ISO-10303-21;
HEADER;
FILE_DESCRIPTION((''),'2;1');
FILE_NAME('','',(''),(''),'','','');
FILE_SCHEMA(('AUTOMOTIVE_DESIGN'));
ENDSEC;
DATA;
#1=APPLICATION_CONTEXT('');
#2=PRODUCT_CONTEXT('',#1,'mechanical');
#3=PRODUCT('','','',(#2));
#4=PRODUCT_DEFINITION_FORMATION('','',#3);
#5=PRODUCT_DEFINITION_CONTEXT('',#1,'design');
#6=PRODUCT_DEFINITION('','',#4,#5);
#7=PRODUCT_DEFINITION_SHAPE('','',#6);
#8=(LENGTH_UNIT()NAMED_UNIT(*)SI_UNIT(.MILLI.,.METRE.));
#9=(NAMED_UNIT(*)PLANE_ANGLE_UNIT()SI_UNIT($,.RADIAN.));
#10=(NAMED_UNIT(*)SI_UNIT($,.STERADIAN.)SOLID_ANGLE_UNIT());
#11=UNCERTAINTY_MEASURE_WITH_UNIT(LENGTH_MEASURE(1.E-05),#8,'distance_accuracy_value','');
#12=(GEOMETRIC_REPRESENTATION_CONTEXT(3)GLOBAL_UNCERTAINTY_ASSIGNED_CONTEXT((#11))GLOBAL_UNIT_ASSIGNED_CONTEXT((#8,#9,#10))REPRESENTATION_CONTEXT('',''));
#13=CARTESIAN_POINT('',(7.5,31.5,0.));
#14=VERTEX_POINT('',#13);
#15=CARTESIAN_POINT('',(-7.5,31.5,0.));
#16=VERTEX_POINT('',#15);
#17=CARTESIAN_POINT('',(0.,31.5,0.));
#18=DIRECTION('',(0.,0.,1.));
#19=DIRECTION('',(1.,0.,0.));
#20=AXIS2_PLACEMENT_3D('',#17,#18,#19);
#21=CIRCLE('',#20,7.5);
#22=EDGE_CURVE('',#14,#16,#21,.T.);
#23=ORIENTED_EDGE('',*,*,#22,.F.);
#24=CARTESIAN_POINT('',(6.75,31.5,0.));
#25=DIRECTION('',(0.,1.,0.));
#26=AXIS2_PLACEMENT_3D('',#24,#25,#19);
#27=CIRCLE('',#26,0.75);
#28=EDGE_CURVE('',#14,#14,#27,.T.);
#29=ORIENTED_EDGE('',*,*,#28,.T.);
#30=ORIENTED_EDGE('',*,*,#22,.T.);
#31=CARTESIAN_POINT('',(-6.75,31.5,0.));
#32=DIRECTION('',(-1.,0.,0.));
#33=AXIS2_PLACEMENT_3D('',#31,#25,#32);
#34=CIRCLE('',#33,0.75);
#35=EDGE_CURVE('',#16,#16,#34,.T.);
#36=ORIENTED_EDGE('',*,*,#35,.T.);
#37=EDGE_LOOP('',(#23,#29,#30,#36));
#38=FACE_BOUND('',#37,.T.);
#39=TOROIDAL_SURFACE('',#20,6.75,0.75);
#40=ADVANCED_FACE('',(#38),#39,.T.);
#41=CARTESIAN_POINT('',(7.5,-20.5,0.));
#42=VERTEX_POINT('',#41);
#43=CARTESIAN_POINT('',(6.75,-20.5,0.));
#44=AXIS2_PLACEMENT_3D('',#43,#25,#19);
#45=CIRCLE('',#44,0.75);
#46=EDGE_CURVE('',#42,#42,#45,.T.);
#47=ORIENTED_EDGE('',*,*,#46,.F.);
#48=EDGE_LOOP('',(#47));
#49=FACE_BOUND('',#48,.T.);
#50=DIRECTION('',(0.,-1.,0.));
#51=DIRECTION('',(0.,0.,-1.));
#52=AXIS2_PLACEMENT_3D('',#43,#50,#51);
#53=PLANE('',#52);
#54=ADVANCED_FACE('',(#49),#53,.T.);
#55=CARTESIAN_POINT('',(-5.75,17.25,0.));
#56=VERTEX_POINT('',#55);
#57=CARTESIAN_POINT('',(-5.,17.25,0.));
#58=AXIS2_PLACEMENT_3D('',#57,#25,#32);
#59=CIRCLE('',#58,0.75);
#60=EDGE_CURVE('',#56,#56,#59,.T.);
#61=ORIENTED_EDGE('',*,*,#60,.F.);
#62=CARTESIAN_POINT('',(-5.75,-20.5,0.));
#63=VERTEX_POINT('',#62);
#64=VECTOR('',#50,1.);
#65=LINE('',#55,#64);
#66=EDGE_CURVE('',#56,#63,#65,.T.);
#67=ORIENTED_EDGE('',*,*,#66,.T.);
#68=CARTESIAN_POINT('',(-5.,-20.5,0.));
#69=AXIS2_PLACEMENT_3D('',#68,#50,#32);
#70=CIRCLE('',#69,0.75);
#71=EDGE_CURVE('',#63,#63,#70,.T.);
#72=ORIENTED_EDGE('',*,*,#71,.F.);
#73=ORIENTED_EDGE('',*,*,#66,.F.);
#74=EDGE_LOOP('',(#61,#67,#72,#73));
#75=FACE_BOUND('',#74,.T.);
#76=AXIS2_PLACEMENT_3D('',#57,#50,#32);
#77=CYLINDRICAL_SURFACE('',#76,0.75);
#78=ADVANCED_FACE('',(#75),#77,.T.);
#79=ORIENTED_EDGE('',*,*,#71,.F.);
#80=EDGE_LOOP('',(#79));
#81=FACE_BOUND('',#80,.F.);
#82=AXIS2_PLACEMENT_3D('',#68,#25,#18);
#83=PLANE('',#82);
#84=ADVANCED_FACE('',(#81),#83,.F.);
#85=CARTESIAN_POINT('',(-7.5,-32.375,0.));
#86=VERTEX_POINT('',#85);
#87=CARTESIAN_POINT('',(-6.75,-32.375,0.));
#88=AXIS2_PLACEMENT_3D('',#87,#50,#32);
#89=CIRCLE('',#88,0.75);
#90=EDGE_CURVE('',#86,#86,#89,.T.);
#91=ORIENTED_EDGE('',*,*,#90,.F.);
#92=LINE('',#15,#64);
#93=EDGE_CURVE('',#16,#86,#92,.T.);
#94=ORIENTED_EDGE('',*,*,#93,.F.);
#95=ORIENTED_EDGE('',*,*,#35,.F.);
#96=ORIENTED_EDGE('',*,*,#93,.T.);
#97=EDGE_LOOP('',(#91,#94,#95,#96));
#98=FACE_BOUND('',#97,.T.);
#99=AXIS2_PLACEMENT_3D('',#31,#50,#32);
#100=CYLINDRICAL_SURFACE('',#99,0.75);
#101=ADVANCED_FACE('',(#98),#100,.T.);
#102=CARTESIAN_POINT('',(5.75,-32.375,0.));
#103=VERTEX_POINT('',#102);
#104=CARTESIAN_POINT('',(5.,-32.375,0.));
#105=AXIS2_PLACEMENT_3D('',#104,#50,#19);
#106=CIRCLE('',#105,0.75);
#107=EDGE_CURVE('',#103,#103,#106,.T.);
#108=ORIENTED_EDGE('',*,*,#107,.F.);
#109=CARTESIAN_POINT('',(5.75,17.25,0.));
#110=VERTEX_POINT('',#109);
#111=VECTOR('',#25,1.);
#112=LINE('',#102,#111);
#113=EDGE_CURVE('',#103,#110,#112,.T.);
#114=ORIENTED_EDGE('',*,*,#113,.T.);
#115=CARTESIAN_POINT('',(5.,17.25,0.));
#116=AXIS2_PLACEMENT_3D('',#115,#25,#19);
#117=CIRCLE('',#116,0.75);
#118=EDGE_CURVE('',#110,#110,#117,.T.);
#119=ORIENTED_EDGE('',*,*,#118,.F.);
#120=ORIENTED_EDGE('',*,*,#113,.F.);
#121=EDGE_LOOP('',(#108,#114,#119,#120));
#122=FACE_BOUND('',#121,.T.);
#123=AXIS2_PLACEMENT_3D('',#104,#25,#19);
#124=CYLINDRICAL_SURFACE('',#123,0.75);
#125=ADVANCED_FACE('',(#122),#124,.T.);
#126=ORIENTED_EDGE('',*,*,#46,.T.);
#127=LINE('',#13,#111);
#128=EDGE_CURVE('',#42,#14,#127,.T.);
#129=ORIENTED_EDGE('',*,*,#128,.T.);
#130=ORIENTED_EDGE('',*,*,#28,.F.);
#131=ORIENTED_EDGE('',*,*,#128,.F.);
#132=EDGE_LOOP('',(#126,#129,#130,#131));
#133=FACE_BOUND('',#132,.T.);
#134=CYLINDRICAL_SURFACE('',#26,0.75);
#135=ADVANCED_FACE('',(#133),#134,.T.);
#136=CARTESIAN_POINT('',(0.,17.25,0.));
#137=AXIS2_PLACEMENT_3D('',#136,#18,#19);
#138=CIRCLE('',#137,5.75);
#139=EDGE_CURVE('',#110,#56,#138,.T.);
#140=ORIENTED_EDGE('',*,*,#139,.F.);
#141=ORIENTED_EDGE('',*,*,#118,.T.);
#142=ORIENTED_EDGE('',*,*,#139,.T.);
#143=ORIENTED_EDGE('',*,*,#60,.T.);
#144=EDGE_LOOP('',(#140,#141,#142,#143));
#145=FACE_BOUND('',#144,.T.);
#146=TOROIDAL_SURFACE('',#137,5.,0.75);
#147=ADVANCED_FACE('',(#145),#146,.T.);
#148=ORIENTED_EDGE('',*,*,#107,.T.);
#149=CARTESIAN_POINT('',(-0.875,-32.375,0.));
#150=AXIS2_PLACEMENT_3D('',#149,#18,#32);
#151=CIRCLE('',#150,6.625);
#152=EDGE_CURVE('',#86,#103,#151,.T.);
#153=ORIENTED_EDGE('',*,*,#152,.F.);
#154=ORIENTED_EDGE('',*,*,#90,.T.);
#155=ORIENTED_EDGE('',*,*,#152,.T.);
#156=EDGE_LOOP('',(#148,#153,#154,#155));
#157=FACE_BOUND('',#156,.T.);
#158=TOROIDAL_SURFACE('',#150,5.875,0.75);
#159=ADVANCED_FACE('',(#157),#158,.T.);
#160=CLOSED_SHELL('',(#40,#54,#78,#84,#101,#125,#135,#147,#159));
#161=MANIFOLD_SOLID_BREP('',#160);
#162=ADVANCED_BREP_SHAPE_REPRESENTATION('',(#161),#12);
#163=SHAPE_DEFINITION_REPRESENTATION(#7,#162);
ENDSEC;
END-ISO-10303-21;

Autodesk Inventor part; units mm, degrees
ref_plane "YZ Plane" through (0, 0, 0) normal (1, 0, 0) x (0, 1, 0)
ref_plane "XY Plane" through (0, 0, 0) normal (0, 0, 1) x (1, 0, 0)
sketch "Sketch1" plane through (0, 0, 0) normal (0, 0, 1) x (1, 0, 0)
  line L0 (-6.75, -38.25) -> (6.75, -38.25) construction
  line L1 (6.75, -38.25) -> (6.75, 38.25) construction
  line L2 (6.75, 38.25) -> (-6.75, 38.25) construction
  line L3 (-6.75, 38.25) -> (-6.75, -38.25) construction
  line L4 (-6.75, -38.25) -> (6.75, 38.25) construction
  line L5 (6.75, -38.25) -> (-6.75, 38.25) construction
  arc A0 (6.75, 31.5) -> (-6.75, 31.5) centre (0, 31.5) ccw
  line L6 (-6.75, 22.25) -> (6.75, 22.25) construction
  arc A1 (-6.75, -32.375) -> (5, -32.375) centre (-0.875, -32.375) ccw
  line L7 (-6.75, 31.5) -> (-6.75, -32.375)
  line L8 (6.75, 31.5) -> (6.75, -20.5)
  line L9 (5, -32.375) -> (5, 17.25)
  arc A2 (5, 17.25) -> (-5, 17.25) centre (0, 17.25) ccw
  line L10 (6.75, -20.5) -> (-6.75, -20.5) construction
  line L11 (-5, 17.25) -> (-5, -20.5)
  line L12 (0, 31.5) -> (0, -46.328) construction
  point P0 (0, 0)
  dimension "d0" = 76.5
  dimension "d1" = 13.5
  dimension "d3" = 60.5
  dimension "d5" = 52
  dimension "d11" = 1.75
  dimension "d13" = 1.75
  dimension "d14" = 1.75
ref_plane "Work Plane1" through (-5, -20.5, 0) normal (0, 1, 0) x (-1, 0, 0)
sketch "Sketch2" plane through (-5, -20.5, 0) normal (0, 1, 0) x (-1, 0, 0)
  circle A0 centre (0, 0) radius 0.75
  point P0 (-5, 0)
  dimension "d7" = 1.5
sweep "Sweep1" add profiles "Sketch2" path "Sketch1"
equation "\"d14\" = d13"
properties part number "paperclip_big" material "Stainless Steel"
